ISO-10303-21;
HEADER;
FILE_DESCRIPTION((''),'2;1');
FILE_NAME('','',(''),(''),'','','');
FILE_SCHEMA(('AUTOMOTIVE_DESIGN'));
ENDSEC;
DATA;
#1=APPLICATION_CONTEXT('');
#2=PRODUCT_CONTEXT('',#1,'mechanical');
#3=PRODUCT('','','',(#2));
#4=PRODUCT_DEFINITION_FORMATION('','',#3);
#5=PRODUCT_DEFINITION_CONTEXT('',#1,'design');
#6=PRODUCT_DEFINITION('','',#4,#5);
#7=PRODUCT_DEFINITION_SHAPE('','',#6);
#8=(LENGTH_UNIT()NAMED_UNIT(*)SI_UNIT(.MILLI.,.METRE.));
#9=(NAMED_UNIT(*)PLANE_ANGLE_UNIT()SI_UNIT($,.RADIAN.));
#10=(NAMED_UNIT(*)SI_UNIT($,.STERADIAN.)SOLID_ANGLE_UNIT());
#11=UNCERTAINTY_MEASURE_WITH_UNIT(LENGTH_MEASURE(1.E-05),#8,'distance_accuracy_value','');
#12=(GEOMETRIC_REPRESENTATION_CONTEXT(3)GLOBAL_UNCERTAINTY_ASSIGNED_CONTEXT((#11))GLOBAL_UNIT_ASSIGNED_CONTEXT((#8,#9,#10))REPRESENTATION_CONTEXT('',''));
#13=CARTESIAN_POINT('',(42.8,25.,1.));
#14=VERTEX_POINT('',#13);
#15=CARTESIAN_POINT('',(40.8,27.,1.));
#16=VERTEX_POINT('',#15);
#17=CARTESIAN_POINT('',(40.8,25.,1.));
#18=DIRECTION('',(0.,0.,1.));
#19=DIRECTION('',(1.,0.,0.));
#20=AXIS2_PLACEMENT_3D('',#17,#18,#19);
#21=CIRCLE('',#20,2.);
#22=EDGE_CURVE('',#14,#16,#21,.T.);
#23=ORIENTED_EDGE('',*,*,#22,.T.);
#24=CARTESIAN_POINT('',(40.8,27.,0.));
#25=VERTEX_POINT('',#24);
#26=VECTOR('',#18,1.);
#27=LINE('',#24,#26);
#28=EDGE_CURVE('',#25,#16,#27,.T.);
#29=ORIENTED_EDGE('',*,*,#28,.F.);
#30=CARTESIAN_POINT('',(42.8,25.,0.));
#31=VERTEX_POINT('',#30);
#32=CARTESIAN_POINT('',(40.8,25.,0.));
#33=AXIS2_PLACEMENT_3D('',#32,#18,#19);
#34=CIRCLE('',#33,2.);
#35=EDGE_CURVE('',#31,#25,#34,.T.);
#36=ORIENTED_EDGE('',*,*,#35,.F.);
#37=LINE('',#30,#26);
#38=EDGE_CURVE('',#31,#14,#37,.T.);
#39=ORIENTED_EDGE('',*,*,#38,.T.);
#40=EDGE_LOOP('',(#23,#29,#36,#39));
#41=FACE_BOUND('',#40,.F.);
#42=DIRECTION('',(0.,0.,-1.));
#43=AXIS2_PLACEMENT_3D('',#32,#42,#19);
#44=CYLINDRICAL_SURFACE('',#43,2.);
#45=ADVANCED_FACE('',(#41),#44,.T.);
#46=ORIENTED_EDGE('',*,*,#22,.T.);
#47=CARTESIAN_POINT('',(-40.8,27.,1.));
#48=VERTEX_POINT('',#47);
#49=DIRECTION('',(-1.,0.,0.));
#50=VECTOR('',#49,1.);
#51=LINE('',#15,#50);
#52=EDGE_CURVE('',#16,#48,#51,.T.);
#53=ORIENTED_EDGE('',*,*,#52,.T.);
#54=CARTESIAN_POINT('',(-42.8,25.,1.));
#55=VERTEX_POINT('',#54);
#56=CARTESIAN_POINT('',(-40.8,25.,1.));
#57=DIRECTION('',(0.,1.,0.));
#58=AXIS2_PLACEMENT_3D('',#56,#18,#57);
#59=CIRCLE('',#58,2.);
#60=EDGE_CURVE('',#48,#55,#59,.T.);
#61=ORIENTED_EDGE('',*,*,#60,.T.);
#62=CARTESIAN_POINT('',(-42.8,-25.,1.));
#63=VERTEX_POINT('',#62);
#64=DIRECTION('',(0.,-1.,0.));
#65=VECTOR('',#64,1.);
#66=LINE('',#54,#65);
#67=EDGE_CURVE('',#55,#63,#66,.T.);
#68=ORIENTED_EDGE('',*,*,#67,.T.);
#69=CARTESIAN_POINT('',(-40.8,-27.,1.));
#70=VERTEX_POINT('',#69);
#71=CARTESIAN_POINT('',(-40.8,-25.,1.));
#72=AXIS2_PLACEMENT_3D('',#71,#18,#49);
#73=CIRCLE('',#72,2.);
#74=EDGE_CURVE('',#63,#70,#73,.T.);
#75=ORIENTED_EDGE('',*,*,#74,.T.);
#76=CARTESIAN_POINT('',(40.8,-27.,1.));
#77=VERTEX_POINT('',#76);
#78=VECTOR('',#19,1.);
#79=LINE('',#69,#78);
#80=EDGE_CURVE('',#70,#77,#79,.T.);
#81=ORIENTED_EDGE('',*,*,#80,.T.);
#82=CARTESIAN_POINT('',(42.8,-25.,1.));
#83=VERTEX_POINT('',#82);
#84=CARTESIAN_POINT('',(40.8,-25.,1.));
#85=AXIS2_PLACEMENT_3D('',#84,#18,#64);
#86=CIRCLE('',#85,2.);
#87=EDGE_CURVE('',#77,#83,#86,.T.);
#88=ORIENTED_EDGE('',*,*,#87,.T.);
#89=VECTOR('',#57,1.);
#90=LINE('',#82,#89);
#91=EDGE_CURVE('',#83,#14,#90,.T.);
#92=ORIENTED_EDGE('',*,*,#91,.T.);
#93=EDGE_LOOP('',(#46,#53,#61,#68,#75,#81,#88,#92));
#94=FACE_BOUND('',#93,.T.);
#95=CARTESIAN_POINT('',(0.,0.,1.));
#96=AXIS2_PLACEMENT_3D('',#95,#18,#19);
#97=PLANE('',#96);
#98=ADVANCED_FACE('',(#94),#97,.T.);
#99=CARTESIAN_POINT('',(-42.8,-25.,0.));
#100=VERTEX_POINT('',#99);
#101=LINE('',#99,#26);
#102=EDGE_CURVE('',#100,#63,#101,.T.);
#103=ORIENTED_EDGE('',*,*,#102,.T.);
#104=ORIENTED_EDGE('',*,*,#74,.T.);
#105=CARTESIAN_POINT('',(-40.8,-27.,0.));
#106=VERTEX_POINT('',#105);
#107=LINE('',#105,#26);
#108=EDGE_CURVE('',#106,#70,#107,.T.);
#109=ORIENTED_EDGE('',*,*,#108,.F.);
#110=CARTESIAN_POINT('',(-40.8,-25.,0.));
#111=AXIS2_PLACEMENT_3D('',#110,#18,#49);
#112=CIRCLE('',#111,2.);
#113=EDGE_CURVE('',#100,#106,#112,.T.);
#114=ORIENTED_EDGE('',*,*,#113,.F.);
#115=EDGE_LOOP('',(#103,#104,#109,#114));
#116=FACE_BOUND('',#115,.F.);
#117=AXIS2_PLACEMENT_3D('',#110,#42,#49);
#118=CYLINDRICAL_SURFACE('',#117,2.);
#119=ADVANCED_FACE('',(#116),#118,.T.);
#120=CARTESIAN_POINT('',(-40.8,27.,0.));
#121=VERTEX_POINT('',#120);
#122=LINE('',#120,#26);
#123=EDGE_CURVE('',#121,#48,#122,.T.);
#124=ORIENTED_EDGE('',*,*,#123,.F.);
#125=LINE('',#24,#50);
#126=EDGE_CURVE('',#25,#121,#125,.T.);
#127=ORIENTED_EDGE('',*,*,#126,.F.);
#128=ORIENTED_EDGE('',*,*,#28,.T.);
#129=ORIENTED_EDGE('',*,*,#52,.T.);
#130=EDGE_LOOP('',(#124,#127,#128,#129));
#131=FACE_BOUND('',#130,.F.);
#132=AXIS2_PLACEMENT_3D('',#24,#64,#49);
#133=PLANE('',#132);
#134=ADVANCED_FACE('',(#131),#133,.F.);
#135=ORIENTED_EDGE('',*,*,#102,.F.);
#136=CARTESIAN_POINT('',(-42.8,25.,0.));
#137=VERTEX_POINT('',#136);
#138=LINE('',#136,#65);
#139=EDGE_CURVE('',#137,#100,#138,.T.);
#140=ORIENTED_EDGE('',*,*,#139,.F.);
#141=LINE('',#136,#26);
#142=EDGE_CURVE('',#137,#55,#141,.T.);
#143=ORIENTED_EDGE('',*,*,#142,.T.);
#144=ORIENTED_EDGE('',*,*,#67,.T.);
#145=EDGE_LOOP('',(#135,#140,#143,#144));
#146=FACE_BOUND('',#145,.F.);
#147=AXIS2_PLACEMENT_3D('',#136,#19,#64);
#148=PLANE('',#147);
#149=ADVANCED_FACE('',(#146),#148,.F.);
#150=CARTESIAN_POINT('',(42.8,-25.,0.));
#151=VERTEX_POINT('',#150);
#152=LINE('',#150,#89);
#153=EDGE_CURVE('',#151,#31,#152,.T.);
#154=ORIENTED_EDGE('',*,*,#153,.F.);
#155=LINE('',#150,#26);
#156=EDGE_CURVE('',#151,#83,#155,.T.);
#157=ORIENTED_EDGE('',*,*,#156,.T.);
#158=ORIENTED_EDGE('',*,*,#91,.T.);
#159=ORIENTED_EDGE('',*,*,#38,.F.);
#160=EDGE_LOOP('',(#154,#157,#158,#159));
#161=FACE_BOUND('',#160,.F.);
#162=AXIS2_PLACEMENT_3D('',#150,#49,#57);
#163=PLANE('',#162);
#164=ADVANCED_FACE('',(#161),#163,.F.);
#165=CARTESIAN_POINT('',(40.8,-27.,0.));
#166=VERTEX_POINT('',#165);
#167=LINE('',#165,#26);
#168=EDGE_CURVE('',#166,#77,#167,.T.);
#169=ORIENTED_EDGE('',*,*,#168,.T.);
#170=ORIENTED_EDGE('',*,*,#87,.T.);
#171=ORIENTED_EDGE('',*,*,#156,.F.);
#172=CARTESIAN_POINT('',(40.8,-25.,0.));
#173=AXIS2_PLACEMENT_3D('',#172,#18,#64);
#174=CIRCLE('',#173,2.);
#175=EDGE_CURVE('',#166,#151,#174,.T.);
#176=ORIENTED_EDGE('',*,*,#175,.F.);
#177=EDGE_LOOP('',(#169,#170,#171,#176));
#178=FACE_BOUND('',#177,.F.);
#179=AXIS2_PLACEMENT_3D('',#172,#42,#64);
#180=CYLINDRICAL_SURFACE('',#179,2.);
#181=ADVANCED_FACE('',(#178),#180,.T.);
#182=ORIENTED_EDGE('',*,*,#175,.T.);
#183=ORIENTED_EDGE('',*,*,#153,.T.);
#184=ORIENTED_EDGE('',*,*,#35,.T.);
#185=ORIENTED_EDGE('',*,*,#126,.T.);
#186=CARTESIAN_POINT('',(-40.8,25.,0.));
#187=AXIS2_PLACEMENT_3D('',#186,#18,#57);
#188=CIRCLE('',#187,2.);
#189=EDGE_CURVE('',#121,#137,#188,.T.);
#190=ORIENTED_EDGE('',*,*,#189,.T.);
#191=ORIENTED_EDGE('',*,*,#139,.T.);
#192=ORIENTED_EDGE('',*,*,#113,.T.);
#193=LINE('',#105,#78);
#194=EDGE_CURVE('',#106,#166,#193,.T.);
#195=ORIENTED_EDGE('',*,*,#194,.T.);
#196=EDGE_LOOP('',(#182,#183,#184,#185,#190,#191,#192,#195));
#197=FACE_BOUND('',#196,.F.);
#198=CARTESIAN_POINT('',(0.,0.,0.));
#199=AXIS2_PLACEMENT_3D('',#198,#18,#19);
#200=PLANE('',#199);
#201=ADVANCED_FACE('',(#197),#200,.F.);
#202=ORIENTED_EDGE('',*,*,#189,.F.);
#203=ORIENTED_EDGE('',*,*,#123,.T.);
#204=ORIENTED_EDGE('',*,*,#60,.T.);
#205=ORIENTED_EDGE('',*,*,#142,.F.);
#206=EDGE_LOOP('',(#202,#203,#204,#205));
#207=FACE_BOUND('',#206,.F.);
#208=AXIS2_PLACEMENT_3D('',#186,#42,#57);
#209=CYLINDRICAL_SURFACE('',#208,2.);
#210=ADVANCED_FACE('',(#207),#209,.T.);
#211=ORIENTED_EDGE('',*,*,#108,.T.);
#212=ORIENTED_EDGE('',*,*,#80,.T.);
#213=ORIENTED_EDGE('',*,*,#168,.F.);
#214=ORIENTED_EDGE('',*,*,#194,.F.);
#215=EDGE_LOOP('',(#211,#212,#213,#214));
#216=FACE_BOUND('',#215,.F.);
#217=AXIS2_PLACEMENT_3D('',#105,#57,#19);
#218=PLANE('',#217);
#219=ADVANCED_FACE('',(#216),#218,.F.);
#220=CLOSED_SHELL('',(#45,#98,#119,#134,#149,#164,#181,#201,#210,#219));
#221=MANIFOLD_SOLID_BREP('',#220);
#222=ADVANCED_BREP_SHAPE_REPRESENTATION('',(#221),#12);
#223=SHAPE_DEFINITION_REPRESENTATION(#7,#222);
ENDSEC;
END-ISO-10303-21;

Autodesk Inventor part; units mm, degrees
ref_plane "YZ Plane" through (0, 0, 0) normal (1, 0, 0) x (0, 1, 0)
ref_plane "XZ Plane" through (0, 0, 0) normal (0, 1, 0) x (-1, 0, 0)
ref_plane "XY Plane" through (0, 0, 0) normal (0, 0, 1) x (1, 0, 0)
sketch "草圖1" plane through (0, 0, 0) normal (0, 0, 1) x (1, 0, 0)
  line L0 (-40.8, -27) -> (40.8, -27)
  line L1 (42.8, -25) -> (42.8, 25)
  line L2 (40.8, 27) -> (-40.8, 27)
  line L3 (-42.8, 25) -> (-42.8, -25)
  line L4 (-42.8, -27) -> (42.8, 27) construction
  line L5 (42.8, -27) -> (-42.8, 27) construction
  arc A0 (-40.8, 27) -> (-42.8, 25) centre (-40.8, 25) ccw
  arc A1 (42.8, 25) -> (40.8, 27) centre (40.8, 25) ccw
  arc A2 (40.8, -27) -> (42.8, -25) centre (40.8, -25) ccw
  arc A3 (-42.8, -25) -> (-40.8, -27) centre (-40.8, -25) ccw
  point P0 (0, 0)
  dimension "d0" = 85.6
  dimension "d1" = 54
  dimension "d4" = 2
extrude "擠出1" add sketch "草圖1" along normal blind 1
properties part number "Eazy-Card"
